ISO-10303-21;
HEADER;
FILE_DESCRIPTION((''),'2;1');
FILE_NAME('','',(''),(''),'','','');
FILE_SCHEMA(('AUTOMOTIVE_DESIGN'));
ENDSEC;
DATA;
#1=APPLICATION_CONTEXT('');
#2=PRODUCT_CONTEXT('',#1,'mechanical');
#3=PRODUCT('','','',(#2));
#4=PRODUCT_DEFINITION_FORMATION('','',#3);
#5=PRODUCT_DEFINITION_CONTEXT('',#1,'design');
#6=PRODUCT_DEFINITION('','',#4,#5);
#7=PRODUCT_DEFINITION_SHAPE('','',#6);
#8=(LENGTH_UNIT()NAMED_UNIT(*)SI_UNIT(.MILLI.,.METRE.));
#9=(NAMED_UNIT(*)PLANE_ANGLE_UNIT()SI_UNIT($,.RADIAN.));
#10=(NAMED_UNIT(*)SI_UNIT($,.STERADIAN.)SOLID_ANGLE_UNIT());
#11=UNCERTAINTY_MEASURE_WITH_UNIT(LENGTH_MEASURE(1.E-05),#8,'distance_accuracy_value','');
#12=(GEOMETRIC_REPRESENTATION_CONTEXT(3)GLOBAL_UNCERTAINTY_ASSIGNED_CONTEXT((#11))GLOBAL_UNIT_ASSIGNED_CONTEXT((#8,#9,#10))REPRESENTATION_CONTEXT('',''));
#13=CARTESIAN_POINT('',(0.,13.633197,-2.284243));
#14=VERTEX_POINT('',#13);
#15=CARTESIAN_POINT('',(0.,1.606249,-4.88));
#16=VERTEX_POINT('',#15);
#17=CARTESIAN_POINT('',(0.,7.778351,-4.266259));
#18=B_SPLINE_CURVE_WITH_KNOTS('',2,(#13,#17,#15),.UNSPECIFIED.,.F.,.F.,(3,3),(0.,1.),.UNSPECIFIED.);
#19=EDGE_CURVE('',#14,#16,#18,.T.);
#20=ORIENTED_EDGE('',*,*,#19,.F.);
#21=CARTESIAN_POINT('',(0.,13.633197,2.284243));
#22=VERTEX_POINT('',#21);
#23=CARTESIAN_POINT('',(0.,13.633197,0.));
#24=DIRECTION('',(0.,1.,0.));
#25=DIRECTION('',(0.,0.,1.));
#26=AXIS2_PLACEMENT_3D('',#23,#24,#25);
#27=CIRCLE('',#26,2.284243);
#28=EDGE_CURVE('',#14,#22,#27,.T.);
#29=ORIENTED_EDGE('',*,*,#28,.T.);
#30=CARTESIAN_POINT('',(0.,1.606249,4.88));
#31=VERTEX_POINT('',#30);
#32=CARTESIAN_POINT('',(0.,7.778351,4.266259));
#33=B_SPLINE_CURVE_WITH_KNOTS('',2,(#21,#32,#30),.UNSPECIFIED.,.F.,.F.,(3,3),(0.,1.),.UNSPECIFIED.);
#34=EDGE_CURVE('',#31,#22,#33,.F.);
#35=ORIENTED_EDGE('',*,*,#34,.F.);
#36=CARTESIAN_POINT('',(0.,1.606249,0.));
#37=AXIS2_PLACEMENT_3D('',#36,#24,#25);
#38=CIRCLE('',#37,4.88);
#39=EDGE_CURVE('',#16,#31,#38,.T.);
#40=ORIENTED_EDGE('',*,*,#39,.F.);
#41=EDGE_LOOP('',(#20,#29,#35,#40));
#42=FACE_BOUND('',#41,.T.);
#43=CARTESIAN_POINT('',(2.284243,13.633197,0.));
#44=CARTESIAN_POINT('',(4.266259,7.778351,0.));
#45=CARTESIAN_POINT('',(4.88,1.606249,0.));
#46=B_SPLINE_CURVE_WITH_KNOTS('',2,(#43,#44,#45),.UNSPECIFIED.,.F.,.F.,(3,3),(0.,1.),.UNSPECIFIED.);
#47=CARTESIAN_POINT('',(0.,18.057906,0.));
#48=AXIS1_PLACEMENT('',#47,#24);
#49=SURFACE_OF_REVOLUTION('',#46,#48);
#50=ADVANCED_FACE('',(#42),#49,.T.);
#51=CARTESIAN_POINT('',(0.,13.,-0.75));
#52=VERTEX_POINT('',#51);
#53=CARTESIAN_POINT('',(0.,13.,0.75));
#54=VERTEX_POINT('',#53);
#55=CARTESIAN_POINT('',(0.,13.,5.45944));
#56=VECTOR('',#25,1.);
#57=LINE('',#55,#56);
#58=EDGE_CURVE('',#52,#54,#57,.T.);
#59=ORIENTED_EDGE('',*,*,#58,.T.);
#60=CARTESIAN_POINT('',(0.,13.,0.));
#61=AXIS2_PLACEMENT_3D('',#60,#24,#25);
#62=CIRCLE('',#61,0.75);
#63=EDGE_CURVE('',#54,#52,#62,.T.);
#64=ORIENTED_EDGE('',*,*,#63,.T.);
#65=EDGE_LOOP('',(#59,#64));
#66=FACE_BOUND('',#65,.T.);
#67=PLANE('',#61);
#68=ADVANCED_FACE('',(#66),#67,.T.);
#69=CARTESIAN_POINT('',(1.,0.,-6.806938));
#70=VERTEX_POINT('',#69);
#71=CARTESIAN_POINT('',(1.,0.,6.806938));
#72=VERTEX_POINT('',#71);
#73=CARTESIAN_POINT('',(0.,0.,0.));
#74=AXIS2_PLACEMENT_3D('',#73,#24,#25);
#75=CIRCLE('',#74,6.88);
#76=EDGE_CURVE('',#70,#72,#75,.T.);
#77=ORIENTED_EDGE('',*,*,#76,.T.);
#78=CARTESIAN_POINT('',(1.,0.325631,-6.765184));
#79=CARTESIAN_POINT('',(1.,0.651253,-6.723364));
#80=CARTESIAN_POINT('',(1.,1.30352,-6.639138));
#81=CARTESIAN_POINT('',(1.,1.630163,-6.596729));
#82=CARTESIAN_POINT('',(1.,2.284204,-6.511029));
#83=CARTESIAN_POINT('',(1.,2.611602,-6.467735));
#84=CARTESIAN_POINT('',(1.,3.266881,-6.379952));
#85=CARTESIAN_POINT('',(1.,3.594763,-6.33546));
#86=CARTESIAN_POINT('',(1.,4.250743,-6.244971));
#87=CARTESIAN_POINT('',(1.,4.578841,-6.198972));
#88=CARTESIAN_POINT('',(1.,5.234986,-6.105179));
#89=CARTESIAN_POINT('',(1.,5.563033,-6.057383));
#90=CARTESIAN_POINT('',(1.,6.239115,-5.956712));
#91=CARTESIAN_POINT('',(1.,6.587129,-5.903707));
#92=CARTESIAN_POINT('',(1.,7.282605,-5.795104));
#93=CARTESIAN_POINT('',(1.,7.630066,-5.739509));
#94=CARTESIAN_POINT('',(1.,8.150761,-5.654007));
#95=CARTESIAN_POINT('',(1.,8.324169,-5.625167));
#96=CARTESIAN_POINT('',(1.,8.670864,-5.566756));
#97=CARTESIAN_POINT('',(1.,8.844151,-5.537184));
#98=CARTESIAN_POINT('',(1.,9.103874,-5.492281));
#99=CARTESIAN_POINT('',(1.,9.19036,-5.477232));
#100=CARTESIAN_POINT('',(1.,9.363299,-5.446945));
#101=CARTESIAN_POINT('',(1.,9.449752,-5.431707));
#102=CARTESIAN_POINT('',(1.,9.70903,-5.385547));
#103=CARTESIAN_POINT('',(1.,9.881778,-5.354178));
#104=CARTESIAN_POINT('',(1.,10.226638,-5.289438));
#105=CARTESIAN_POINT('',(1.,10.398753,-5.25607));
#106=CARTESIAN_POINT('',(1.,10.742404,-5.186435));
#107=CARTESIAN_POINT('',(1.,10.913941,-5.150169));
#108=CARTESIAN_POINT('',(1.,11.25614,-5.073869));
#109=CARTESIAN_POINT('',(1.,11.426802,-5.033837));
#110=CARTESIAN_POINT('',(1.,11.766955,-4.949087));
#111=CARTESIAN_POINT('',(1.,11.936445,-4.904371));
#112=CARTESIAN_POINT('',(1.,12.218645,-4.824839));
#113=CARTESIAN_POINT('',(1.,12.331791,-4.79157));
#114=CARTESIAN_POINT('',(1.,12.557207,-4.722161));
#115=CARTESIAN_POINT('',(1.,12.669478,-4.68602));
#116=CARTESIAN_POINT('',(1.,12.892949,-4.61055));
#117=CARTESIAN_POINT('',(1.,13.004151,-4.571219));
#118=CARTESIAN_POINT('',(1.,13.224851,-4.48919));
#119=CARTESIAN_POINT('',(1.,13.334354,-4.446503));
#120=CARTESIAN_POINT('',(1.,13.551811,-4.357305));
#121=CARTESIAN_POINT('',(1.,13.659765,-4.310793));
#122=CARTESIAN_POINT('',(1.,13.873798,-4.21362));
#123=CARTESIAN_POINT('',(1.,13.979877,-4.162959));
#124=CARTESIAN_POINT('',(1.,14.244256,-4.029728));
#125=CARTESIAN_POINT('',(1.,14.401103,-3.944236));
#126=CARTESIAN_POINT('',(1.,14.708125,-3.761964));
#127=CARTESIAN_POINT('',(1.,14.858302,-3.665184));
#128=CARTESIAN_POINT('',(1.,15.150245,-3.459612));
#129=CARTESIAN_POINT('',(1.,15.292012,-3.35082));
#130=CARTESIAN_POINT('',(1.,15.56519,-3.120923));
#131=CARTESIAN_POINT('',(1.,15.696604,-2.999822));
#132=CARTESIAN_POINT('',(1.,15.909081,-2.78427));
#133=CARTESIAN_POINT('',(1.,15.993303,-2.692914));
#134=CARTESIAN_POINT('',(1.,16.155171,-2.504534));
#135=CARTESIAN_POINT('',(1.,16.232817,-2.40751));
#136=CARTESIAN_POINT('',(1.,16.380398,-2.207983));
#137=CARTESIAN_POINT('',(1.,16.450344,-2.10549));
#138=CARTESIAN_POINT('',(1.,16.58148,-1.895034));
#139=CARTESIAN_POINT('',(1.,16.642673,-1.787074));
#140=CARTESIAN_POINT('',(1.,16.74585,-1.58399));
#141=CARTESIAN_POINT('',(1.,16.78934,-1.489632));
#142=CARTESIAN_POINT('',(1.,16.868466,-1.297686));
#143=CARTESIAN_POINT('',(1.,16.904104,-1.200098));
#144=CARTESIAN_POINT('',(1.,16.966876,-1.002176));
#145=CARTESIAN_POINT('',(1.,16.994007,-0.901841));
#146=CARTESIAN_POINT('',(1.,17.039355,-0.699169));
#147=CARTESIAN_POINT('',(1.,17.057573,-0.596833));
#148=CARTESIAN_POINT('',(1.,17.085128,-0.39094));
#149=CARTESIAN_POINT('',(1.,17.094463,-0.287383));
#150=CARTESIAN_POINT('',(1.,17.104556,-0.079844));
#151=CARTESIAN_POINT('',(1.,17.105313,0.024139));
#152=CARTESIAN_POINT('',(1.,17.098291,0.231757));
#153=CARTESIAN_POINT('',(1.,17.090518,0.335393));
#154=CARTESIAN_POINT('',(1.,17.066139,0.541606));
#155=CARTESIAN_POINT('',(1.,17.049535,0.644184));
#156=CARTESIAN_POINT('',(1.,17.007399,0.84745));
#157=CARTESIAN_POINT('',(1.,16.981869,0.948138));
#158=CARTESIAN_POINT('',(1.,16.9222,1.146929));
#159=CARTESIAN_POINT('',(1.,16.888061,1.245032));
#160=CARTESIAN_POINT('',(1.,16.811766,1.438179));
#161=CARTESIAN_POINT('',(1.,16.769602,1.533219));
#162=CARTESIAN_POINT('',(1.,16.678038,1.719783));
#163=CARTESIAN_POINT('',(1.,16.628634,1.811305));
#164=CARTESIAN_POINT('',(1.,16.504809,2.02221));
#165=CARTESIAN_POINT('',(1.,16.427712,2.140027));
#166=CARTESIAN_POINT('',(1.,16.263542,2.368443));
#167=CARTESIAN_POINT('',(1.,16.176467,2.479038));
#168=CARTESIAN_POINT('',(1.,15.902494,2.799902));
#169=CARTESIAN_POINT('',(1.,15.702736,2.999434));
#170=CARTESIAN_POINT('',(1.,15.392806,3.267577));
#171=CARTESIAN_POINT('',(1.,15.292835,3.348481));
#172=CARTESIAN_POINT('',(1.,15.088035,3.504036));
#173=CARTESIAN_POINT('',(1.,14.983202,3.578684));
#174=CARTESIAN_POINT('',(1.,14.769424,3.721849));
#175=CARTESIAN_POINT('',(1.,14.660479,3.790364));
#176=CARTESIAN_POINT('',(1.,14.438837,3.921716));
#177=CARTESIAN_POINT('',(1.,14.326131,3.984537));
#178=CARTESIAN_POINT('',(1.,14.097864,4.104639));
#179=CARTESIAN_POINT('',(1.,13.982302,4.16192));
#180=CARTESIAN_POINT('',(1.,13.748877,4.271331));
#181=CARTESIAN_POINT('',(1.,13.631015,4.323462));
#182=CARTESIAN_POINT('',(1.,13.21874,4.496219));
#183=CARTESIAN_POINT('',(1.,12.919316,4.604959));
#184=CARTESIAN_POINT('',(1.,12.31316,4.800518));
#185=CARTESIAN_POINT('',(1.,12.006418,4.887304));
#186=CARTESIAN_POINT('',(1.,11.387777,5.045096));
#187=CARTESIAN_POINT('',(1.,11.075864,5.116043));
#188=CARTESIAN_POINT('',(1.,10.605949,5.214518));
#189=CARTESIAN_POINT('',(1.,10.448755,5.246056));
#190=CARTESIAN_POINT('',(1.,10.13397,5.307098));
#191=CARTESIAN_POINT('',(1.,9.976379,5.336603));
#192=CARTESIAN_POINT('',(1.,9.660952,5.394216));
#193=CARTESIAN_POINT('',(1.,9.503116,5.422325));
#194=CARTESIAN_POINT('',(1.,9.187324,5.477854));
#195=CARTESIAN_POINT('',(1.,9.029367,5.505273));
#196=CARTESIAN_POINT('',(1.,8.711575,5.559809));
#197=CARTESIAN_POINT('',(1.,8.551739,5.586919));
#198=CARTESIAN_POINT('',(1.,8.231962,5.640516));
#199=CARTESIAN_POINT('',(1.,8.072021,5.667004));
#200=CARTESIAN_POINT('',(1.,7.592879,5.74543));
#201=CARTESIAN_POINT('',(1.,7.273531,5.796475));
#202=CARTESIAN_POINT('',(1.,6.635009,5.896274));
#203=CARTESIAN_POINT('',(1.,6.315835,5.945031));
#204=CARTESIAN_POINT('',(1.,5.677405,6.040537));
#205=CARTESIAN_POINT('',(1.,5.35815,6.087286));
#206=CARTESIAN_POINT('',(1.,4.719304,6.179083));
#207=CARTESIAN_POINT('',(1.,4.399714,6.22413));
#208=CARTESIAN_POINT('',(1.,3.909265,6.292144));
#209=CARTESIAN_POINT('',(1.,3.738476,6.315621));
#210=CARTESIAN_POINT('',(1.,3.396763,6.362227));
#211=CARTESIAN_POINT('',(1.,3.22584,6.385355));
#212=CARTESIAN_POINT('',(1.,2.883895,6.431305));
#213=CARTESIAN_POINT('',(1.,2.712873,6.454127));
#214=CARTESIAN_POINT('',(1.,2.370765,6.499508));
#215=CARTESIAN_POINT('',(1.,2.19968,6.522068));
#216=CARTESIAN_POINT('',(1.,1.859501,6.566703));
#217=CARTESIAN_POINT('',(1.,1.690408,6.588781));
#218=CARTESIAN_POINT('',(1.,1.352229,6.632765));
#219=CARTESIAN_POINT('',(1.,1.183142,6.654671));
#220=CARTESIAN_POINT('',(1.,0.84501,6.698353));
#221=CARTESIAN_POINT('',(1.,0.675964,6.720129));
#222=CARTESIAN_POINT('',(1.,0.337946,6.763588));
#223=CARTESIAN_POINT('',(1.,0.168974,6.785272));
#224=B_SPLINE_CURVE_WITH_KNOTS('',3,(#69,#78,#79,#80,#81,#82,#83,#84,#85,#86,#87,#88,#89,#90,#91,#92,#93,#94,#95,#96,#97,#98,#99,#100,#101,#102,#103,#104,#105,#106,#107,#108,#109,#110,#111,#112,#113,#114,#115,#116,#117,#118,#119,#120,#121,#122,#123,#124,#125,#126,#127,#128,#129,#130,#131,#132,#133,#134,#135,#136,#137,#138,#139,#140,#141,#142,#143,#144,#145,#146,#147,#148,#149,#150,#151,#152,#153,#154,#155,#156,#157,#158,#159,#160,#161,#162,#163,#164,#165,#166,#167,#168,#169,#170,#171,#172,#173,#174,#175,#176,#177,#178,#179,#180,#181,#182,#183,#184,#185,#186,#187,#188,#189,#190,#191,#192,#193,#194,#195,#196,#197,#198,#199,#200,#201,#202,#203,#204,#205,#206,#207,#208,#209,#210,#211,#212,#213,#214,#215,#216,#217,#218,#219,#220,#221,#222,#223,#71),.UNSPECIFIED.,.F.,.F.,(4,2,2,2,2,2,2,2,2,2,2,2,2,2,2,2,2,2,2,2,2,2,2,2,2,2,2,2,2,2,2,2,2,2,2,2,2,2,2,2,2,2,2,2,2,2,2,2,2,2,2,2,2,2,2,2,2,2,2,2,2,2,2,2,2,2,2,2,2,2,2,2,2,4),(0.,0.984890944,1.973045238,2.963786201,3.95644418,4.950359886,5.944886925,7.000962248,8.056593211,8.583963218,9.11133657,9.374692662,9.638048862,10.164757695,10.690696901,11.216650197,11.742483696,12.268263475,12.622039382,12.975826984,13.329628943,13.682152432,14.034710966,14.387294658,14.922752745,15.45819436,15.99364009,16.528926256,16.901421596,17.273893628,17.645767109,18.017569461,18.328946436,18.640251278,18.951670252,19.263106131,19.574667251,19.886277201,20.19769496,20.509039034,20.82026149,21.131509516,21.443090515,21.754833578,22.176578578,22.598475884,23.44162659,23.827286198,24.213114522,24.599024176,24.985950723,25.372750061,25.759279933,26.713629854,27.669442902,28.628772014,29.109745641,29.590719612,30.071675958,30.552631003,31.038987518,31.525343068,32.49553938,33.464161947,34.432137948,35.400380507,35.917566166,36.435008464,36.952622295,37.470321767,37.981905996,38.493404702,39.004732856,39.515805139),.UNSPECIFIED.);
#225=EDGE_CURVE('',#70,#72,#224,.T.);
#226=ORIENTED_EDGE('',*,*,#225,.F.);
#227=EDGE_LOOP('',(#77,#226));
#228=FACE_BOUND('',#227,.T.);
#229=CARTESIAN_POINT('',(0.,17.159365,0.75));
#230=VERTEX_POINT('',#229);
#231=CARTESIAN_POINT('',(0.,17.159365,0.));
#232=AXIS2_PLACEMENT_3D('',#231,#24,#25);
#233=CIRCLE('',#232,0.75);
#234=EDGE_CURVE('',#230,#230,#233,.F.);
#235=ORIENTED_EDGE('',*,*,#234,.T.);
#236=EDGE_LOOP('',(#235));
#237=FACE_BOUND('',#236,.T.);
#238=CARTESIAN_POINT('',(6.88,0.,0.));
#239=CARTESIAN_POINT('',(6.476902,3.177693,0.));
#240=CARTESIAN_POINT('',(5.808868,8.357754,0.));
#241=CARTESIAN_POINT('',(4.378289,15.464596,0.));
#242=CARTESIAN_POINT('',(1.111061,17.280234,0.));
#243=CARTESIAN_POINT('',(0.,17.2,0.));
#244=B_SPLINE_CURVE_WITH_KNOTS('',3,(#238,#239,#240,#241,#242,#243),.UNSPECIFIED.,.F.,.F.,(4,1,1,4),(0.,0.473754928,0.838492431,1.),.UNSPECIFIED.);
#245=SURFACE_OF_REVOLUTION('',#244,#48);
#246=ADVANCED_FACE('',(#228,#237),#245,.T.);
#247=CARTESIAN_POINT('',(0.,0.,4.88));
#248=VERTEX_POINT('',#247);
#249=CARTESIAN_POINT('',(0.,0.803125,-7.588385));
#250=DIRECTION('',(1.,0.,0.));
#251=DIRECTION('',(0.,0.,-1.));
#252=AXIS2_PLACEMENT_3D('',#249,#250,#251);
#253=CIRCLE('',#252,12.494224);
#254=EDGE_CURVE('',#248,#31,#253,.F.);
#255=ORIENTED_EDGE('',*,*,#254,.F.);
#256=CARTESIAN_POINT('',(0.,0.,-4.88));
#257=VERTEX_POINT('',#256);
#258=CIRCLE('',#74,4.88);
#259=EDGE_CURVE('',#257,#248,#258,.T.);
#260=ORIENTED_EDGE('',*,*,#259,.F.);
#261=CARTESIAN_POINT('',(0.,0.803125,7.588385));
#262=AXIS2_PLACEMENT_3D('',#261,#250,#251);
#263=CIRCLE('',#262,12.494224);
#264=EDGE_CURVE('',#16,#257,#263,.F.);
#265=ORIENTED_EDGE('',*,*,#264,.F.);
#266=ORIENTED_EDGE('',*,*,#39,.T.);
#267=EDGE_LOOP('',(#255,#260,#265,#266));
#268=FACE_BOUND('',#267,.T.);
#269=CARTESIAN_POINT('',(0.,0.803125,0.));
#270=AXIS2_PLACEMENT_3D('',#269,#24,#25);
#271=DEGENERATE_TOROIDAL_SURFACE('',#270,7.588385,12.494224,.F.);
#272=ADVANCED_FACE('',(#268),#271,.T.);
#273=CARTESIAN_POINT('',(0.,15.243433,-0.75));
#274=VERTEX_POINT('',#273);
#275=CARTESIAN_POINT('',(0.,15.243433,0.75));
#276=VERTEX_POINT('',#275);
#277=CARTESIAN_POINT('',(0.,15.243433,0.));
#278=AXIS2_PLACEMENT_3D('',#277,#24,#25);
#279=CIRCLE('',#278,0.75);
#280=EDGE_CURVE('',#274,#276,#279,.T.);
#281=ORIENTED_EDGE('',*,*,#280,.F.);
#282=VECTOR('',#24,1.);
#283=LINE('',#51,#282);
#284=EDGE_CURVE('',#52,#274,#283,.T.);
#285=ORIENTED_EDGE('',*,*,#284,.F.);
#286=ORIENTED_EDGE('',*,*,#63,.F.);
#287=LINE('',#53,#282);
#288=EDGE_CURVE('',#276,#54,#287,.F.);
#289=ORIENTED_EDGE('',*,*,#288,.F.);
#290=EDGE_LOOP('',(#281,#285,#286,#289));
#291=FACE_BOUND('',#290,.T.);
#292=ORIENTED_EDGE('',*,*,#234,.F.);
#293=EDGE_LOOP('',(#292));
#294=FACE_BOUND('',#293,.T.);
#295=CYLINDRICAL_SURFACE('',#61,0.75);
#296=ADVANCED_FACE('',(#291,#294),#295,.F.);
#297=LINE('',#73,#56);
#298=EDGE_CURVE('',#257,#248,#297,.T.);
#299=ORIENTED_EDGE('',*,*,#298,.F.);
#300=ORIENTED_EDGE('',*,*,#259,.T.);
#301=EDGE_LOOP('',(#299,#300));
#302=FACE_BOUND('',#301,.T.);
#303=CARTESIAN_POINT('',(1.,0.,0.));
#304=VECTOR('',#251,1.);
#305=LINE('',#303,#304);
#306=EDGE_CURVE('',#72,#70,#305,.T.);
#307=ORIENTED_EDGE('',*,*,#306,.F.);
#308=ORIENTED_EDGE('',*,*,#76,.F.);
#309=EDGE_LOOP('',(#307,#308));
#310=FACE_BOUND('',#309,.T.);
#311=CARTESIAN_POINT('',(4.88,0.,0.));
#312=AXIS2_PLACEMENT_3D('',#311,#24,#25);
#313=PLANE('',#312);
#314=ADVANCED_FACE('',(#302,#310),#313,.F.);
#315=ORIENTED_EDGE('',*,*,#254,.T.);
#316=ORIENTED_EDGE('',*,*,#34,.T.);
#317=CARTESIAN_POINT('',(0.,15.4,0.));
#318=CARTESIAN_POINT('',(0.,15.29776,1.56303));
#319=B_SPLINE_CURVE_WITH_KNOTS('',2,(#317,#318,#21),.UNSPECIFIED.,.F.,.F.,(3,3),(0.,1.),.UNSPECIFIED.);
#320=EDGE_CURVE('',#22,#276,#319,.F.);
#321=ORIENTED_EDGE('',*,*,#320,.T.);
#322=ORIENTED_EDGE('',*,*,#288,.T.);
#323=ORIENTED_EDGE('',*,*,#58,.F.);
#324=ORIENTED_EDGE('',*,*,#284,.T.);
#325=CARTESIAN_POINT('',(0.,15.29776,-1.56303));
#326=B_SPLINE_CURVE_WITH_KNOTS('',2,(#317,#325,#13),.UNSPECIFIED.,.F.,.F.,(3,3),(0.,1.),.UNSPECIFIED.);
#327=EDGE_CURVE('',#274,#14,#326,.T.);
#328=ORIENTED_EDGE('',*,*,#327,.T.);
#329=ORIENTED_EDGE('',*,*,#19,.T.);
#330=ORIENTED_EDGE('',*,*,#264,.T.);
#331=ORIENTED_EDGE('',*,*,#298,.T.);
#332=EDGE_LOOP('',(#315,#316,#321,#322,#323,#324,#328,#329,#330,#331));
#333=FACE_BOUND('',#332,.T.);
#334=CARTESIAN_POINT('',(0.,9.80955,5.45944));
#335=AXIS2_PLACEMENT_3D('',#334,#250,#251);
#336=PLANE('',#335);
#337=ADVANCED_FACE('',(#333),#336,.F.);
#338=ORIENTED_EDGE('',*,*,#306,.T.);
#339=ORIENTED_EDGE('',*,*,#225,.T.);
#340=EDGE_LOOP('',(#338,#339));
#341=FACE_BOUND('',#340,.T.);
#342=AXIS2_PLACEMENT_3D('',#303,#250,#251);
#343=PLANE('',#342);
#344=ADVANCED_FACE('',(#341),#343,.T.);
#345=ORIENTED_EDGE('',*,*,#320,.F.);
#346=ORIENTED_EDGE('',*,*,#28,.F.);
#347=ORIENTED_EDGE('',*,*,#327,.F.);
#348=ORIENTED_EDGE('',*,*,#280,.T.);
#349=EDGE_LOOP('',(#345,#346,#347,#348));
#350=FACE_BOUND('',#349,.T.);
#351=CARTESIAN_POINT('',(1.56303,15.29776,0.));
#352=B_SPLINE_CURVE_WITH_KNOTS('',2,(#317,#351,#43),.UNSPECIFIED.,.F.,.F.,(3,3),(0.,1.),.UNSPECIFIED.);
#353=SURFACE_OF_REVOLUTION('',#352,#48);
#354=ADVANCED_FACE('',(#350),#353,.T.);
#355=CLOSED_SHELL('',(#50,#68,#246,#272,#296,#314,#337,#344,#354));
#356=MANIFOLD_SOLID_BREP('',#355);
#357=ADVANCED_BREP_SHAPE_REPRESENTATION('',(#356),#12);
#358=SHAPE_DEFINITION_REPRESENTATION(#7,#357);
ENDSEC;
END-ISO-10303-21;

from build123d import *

# Parameters (mm, degrees)
SKETCH2_R                = 0.5
CUT_EXTRUDE2_DEPTH       = 18.207691702
SKETCH5_W                = 5
SKETCH5_H                = 18
CUT_EXTRUDE4_DEPTH       = 20
REVOLVE3_ANGLE           = 90
REVOLVE3_OTHER_WAY_ANGLE = 90
SKETCH12_W               = 15.157920946
SKETCH12_H               = 18.962900337
CUT_EXTRUDE5_DEPTH       = 9
SKETCH14_R               = 0.5
CUT_EXTRUDE6_DEPTH       = 6
SKETCH15_R               = 0.75
CUT_EXTRUDE7_DEPTH       = 7


with BuildPart() as part:
    # Sketch1 → Revolve1 (revolve)
    with BuildSketch(Plane.XY):
        with BuildLine():
            Line((4.88, 0), (6.88, 0))
            add(Edge.make_bspline(
                [(6.88, 0), (6.476901655, 3.177692832), (5.808868292, 8.357754247), (4.378289276, 15.464596201), (1.111060579, 17.280233516), (0, 17.2)],
                knots=[0, 0, 0, 0, 0.473754928, 0.838492431, 1, 1, 1, 1], degree=3))
            Line((0, 17.2), (0, 15.4))
            add(Edge.make_bspline(
                [(0, 15.4), (1.563029619, 15.297760208), (2.284243197, 13.63319745)],
                knots=[0, 0, 0, 1, 1, 1], degree=2))
            add(Edge.make_bspline(
                [(2.284243197, 13.63319745), (4.266259497, 7.778351244), (4.88, 1.606249126)],
                knots=[0, 0, 0, 1, 1, 1], degree=2))
            ThreePointArc((4.88, 1.606249126), (4.905839008, 0.803124563), (4.88, 0))
        make_face()
    revolve(axis=Axis((0, 18.057905706, 0), (0, -1, 0)))

    # Sketch2 → Cut-Extrude2 (cut, through all)
    with BuildSketch(Plane(origin=(0, 0, 0), x_dir=(1, 0, 0), z_dir=(0, 1, 0))):
        Circle(SKETCH2_R)
    extrude(amount=CUT_EXTRUDE2_DEPTH, mode=Mode.SUBTRACT)

    # Sketch5 → Cut-Extrude4 (cut)
    with BuildSketch(Plane.XZ):
        with Locations((4.5, 0.912005105)):
            Rectangle(SKETCH5_W, SKETCH5_H)
    extrude(amount=-CUT_EXTRUDE4_DEPTH, mode=Mode.SUBTRACT)

    # Sketch9 → Revolve3 (revolve)
    with BuildSketch(Plane.XY):
        with BuildLine():
            Line((0, 17.2), (0, 0))
            Line((0, 0), (4.88, 0))
            Line((4.88, 0), (6.88, 0))
            add(Edge.make_bspline(
                [(6.88, 0), (6.476901655, 3.177692832), (5.808868292, 8.357754247), (4.378289276, 15.464596201), (1.111060579, 17.280233516), (0, 17.2)],
                knots=[0, 0, 0, 0, 0.473754928, 0.838492431, 1, 1, 1, 1], degree=3))
        make_face()
    revolve(axis=Axis((0, 17.2, 0), (0, -1, 0)), revolution_arc=REVOLVE3_ANGLE)

    # Sketch9 → Revolve3 other way (revolve)
    with BuildSketch(Plane.XY):
        with BuildLine():
            Line((0, 17.2), (0, 0))
            Line((0, 0), (4.88, 0))
            Line((4.88, 0), (6.88, 0))
            add(Edge.make_bspline(
                [(6.88, 0), (6.476901655, 3.177692832), (5.808868292, 8.357754247), (4.378289276, 15.464596201), (1.111060579, 17.280233516), (0, 17.2)],
                knots=[0, 0, 0, 0, 0.473754928, 0.838492431, 1, 1, 1, 1], degree=3))
        make_face()
    revolve(axis=Axis((0, 17.2, 0), (0, 1, 0)), revolution_arc=REVOLVE3_OTHER_WAY_ANGLE)

    # Sketch12 → Cut-Extrude5 (cut)
    with BuildSketch(Plane(origin=(10, 0, 0), x_dir=(0, 0, -1), z_dir=(1, 0, 0))):
        with Locations((0, 8.631516603)):
            Rectangle(SKETCH12_W, SKETCH12_H)
    extrude(amount=-CUT_EXTRUDE5_DEPTH, mode=Mode.SUBTRACT)

    # Sketch14 → Cut-Extrude6 (cut)
    with BuildSketch(Plane(origin=(0, 20, 0), x_dir=(1, 0, 0), z_dir=(0, 1, 0))):
        Circle(SKETCH14_R)
    extrude(amount=-CUT_EXTRUDE6_DEPTH, mode=Mode.SUBTRACT)

    # Sketch15 → Cut-Extrude7 (cut)
    with BuildSketch(Plane(origin=(0, 20, 0), x_dir=(1, 0, 0), z_dir=(0, 1, 0))):
        Circle(SKETCH15_R)
    extrude(amount=-CUT_EXTRUDE7_DEPTH, mode=Mode.SUBTRACT)


solid = part.part
